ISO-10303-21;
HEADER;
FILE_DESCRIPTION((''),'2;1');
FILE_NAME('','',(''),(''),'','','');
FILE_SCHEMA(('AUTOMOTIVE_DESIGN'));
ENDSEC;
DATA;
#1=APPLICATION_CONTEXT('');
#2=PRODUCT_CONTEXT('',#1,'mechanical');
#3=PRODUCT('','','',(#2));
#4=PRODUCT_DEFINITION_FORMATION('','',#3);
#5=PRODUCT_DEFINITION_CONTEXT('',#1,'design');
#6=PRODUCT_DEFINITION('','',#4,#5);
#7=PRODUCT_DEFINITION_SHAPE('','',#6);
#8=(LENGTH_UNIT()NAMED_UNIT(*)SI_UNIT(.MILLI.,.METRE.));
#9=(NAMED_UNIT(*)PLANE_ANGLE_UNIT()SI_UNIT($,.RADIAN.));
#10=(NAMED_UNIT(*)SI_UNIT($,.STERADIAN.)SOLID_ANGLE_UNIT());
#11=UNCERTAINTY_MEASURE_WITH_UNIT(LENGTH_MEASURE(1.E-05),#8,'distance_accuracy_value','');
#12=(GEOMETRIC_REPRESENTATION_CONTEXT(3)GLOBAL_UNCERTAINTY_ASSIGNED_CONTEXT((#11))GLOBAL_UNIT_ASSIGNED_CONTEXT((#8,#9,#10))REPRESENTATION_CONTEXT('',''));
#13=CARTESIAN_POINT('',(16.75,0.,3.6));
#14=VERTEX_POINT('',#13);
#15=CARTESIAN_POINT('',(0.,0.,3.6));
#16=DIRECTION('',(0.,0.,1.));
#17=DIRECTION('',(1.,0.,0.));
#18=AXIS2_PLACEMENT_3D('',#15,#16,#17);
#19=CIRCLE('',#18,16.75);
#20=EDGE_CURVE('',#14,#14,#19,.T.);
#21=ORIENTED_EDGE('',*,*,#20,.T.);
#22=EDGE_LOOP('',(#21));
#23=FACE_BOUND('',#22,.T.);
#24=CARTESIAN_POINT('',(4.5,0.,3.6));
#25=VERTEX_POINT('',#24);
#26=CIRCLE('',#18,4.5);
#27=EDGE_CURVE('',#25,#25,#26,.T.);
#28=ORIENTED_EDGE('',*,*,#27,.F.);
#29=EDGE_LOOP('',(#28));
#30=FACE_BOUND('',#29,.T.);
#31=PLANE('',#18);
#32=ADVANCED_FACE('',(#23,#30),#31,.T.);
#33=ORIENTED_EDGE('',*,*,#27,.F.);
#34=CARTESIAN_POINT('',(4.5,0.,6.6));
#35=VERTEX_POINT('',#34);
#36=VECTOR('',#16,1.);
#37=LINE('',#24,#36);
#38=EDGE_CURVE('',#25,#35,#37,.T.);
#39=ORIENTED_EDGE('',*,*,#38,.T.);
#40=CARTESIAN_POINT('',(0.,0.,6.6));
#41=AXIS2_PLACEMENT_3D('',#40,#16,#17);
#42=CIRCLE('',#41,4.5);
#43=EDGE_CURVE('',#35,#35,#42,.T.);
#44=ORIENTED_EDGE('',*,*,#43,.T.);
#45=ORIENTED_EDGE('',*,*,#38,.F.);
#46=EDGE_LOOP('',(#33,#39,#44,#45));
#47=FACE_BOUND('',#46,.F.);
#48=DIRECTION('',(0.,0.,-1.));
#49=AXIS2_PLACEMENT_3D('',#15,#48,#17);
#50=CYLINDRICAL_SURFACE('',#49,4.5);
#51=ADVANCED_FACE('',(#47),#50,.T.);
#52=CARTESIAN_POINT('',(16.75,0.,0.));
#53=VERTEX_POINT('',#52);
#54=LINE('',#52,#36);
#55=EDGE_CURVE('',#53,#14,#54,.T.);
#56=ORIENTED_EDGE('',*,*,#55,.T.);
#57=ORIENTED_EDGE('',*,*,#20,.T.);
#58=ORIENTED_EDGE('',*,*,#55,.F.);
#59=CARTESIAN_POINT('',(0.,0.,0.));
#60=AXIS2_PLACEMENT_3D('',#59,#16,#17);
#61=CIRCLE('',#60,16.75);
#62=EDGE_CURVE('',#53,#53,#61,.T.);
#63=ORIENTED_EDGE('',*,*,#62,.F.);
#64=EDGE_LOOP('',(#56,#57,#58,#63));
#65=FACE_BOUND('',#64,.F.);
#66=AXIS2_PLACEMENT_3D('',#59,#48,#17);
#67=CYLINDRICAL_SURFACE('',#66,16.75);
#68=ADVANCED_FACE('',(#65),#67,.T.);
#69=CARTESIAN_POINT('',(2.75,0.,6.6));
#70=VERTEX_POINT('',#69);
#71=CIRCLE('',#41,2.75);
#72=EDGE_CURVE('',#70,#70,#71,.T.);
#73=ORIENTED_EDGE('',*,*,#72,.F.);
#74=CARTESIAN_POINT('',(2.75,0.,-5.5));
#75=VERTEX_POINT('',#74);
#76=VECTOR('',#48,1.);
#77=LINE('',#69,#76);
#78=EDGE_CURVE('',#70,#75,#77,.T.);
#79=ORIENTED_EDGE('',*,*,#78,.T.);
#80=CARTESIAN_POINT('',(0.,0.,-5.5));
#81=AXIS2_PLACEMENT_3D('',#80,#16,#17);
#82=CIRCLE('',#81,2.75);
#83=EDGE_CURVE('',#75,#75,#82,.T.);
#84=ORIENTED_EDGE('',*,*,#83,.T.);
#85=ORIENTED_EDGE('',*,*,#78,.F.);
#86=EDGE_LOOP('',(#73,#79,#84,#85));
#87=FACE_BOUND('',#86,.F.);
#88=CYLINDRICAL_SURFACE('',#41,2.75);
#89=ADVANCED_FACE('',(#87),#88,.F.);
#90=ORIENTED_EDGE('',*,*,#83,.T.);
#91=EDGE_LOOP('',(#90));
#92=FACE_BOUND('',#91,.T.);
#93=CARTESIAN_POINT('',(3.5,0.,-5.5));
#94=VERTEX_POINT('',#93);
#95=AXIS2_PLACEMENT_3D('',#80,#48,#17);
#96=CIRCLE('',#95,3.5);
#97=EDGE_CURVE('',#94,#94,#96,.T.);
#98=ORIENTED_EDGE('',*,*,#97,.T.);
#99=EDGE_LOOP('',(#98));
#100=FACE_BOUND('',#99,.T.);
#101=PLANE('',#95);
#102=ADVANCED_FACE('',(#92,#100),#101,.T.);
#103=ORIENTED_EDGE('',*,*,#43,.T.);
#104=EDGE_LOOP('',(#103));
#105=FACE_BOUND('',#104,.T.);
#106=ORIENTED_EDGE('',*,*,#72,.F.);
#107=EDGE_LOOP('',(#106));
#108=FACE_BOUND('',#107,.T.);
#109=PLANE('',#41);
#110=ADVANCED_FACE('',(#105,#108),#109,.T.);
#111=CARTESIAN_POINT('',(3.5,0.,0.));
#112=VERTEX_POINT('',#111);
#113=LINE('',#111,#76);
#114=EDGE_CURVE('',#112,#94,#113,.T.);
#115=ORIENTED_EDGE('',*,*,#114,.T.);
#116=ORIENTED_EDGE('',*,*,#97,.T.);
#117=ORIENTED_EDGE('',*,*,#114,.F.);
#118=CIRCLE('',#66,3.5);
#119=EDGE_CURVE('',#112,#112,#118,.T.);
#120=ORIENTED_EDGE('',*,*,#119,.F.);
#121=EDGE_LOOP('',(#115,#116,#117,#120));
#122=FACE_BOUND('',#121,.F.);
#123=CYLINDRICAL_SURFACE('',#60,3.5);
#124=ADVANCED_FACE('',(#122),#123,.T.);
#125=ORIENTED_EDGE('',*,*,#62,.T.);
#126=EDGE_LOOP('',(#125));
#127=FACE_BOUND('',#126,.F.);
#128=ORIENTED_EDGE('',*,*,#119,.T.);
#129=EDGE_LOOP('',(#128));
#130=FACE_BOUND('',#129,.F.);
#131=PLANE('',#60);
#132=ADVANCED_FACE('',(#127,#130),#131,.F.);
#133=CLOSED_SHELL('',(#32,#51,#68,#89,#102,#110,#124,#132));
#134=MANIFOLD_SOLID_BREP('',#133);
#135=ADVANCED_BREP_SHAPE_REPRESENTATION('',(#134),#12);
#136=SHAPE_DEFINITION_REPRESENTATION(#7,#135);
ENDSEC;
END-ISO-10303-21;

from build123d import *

# Parameters (mm, degrees)
SKETCH_R     = 16.75
PAD_DEPTH    = 3.6
SKETCH003_R  = 3.5
PAD002_DEPTH = 5.5
SKETCH001_R  = 4.5
PAD001_DEPTH = 3
SKETCH002_R  = 2.75
POCKET_DEPTH = 12.101


with BuildPart() as part:
    # Sketch → Pad (new body)
    with BuildSketch(Plane.XY):
        Circle(SKETCH_R)
    extrude(amount=PAD_DEPTH)

    # Sketch003 (on Face2 of Pocket) → Pad002 (join)
    with BuildSketch(Plane(origin=(0, 0, 0), x_dir=(1, 0, 0), z_dir=(0, 0, -1))):
        Circle(SKETCH003_R)
    extrude(amount=PAD002_DEPTH)

    # Sketch001 (on Face3 of Pad) → Pad001 (join)
    with BuildSketch(Plane.XY.offset(3.6)):
        Circle(SKETCH001_R)
    extrude(amount=PAD001_DEPTH)

    # Sketch002 (on Face5 of Pad001) → Pocket (cut, through all)
    with BuildSketch(Plane.XY.offset(6.6)):
        Circle(SKETCH002_R)
    extrude(amount=-POCKET_DEPTH, mode=Mode.SUBTRACT)


solid = part.part
